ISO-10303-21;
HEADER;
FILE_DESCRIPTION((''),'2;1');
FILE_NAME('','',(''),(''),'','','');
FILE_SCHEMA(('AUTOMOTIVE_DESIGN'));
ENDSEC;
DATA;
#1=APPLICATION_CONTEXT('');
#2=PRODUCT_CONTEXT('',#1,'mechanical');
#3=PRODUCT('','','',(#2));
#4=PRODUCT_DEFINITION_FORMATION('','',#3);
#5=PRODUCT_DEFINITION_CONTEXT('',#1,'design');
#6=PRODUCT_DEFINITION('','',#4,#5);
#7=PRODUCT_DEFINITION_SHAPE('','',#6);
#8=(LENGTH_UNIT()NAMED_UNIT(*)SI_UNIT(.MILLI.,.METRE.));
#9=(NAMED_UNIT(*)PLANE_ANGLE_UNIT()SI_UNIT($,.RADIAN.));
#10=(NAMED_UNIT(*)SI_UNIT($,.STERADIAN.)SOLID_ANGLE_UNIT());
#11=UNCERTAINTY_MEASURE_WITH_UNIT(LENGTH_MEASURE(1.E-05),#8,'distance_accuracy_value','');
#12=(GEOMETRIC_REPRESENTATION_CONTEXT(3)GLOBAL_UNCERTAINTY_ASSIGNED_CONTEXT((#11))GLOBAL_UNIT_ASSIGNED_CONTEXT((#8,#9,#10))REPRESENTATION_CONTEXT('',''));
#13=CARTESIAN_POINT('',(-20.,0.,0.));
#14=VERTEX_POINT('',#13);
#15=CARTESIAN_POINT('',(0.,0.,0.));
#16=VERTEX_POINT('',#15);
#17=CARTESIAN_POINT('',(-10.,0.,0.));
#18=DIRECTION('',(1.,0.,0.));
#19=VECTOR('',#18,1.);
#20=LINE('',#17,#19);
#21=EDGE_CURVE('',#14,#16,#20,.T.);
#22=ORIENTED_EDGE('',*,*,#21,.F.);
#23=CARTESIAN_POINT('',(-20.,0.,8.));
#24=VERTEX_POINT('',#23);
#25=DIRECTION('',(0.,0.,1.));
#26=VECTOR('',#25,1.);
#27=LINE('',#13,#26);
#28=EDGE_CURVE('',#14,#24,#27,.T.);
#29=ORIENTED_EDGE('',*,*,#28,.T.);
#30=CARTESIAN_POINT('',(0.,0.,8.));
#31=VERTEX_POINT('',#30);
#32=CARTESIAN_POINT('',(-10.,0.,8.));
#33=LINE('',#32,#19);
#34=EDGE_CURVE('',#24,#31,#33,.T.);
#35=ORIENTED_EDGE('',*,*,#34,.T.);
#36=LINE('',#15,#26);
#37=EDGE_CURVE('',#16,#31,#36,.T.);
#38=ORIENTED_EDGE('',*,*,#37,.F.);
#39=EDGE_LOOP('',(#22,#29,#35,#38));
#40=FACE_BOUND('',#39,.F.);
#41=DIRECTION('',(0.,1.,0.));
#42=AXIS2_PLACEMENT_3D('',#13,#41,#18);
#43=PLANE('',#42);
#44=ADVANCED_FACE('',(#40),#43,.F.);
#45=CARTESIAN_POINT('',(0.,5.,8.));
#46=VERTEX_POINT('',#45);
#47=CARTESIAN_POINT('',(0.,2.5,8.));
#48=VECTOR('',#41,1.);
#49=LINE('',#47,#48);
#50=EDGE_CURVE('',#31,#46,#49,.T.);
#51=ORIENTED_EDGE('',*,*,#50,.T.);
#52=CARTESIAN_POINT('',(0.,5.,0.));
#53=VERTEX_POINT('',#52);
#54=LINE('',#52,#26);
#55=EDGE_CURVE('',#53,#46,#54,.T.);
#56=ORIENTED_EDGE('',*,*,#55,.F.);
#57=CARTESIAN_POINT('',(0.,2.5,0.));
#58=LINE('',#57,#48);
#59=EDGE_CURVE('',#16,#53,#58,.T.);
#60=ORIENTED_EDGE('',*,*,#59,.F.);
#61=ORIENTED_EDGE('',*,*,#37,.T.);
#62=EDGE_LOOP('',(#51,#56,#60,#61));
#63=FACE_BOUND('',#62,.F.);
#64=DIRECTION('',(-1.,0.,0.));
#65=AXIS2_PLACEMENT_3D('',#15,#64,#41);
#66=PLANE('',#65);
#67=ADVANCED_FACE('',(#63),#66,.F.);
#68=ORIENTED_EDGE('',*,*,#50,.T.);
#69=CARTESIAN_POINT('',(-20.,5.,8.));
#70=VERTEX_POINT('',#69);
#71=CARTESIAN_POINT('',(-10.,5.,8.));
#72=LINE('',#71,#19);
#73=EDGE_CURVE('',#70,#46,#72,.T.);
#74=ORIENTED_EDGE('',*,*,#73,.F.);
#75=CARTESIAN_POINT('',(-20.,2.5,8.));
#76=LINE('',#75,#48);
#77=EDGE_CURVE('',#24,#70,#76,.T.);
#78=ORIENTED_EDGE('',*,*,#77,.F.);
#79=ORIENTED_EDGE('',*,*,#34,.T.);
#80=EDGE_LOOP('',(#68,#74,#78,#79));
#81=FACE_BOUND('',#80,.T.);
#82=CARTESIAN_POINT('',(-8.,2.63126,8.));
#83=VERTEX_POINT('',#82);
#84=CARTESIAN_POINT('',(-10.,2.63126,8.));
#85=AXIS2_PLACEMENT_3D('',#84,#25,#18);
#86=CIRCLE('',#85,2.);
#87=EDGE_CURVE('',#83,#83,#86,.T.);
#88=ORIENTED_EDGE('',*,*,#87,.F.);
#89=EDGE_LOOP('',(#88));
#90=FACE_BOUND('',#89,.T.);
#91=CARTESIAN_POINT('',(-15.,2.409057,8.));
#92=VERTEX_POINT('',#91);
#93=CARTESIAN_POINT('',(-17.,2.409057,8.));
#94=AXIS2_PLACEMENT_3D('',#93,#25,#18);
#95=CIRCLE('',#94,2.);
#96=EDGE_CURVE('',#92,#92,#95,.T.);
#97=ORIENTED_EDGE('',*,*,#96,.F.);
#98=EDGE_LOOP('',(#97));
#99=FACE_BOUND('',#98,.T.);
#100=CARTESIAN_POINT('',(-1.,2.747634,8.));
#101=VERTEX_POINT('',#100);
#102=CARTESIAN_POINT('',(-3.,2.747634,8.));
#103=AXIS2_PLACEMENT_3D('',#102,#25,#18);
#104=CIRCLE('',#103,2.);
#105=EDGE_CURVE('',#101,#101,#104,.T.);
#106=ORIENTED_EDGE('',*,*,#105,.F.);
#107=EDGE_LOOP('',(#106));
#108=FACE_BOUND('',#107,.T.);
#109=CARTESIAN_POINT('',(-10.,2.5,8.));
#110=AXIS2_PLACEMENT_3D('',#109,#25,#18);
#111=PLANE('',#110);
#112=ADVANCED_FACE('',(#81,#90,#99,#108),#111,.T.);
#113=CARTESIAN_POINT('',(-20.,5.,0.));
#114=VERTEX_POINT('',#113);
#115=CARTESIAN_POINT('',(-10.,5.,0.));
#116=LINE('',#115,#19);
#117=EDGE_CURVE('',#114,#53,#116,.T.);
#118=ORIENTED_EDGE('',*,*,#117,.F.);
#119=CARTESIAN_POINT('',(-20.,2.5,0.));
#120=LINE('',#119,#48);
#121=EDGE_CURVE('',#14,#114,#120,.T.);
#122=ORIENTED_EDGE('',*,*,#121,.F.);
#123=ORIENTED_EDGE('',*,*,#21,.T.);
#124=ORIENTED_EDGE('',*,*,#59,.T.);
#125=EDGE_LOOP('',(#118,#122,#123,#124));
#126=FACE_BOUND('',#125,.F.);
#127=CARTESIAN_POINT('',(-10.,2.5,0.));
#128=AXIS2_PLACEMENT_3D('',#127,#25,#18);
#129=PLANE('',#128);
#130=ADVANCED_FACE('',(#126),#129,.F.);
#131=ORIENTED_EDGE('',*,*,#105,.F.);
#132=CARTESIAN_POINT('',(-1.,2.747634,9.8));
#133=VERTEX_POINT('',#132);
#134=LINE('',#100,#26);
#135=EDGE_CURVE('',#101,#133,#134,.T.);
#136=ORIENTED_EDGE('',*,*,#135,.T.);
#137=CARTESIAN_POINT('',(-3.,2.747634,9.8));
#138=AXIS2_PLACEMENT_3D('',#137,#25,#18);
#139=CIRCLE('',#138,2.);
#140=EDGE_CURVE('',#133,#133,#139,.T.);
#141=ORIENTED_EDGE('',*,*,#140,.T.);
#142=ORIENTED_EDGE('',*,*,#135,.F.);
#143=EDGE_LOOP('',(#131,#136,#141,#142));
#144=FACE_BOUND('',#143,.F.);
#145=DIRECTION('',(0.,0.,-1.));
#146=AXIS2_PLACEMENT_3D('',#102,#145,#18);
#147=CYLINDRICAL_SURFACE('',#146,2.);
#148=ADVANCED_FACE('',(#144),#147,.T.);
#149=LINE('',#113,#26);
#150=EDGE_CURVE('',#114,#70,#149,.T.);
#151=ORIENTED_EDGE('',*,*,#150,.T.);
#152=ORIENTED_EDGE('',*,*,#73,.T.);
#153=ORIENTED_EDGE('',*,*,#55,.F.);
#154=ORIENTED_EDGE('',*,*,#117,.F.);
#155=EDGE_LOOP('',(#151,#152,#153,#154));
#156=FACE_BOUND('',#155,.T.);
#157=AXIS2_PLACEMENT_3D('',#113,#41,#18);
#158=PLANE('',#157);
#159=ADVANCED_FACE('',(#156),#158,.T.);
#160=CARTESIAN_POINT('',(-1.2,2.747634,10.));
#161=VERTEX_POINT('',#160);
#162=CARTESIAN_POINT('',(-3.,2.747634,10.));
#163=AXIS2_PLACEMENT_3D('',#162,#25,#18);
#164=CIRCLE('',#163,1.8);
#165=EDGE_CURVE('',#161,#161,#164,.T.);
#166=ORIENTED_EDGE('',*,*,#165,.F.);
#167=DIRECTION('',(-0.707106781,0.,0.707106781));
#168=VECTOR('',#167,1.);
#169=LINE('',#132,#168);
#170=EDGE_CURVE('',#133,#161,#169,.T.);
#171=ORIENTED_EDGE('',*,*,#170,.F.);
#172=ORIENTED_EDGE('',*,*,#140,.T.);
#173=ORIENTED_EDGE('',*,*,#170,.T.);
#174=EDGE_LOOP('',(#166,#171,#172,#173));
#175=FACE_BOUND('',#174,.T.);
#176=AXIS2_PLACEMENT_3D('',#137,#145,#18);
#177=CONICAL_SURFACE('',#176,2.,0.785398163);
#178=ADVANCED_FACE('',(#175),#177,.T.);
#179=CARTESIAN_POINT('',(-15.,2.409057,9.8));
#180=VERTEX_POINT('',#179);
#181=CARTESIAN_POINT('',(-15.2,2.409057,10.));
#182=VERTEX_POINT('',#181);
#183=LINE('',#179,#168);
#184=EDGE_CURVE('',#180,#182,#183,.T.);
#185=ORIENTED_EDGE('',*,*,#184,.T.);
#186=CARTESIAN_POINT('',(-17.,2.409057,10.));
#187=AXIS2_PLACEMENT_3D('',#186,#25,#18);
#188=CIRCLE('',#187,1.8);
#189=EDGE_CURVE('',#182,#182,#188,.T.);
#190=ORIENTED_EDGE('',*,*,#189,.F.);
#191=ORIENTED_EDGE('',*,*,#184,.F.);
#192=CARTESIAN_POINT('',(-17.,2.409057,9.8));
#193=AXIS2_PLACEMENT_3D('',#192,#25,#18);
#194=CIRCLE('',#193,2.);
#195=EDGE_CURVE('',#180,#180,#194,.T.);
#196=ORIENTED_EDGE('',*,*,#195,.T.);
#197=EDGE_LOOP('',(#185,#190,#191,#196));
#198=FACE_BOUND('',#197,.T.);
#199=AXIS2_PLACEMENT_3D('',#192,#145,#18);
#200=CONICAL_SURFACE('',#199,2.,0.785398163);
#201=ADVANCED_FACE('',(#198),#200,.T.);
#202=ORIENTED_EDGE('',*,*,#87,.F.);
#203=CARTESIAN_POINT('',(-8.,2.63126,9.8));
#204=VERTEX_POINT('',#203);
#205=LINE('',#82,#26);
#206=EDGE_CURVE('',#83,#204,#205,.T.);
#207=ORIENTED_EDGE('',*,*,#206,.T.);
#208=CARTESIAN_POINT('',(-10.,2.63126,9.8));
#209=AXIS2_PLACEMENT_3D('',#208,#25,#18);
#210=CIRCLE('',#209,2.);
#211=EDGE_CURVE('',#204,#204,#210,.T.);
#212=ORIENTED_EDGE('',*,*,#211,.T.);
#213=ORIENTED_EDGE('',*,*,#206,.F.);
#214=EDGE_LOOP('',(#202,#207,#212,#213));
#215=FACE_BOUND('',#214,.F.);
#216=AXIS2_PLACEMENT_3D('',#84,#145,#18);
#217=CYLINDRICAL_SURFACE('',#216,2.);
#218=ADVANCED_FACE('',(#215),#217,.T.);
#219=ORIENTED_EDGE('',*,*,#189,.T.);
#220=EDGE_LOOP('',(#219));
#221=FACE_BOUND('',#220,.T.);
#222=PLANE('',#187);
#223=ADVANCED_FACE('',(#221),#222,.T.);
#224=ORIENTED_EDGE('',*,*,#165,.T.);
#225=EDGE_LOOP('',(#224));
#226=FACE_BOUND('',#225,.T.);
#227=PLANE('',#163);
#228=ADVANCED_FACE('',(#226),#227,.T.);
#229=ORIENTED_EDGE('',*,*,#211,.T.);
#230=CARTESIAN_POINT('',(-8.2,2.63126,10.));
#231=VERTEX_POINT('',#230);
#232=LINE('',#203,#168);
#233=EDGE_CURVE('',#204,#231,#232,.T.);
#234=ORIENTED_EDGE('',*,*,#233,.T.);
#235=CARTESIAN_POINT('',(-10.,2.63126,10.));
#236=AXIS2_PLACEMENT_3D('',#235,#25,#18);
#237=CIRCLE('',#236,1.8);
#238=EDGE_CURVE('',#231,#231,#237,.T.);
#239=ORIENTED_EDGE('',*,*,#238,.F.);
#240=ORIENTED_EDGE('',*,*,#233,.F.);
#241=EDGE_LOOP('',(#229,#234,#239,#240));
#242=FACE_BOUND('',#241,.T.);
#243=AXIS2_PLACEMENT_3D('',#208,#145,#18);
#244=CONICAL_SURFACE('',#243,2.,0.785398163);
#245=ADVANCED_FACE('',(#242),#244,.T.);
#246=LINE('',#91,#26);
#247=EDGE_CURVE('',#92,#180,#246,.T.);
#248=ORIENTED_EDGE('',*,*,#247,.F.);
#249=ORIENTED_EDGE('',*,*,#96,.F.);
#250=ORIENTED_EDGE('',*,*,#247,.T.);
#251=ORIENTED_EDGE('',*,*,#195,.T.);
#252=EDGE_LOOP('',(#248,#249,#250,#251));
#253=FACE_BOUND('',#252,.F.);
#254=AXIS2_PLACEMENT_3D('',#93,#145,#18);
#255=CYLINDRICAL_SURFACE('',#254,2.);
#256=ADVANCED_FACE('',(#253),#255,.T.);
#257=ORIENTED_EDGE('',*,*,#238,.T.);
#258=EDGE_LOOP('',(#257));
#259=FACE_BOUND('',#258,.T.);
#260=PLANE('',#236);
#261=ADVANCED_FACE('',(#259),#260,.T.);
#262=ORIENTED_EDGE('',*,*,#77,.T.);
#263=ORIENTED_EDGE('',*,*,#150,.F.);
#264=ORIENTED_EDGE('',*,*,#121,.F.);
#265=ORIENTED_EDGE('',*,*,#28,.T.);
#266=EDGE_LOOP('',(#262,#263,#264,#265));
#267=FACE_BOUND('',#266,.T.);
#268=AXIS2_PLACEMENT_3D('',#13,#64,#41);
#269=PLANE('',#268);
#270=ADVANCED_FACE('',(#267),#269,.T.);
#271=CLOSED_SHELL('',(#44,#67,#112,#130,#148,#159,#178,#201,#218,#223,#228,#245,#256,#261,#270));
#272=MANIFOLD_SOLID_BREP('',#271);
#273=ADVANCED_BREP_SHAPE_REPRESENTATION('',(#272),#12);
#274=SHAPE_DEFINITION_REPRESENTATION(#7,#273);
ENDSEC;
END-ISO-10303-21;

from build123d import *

# Parameters (mm, degrees)
F0_W     = 20
F0_H     = 5
F1_DEPTH = 8
F2_R     = 2
F3_DEPTH = 2
F4_SIZE  = 0.2


with BuildPart() as f1:
    # F0 (on Top) → F1 (new body)
    with BuildSketch(Plane.XY):
        with Locations((-10, 2.5)):
            Rectangle(F0_W, F0_H)
    extrude(amount=F1_DEPTH)

    # F2 (on face) → F3 (join)
    with BuildSketch(Plane.XY.offset(8)):
        with Locations((-17, 2.409057)):
            Circle(F2_R)
        with Locations((-10, 2.63126)):
            Circle(F2_R)
        with Locations((-3, 2.747634)):
            Circle(F2_R)
    extrude(amount=F3_DEPTH)

    # F4
    f4_edges = [f1.edges().sort_by_distance(p)[0] for p in [
        (-19, 2.409057, 10),
        (-12, 2.63126, 10),
        (-5, 2.747634, 10),
    ]]
    chamfer(f4_edges, length=F4_SIZE)


solid = f1.part
